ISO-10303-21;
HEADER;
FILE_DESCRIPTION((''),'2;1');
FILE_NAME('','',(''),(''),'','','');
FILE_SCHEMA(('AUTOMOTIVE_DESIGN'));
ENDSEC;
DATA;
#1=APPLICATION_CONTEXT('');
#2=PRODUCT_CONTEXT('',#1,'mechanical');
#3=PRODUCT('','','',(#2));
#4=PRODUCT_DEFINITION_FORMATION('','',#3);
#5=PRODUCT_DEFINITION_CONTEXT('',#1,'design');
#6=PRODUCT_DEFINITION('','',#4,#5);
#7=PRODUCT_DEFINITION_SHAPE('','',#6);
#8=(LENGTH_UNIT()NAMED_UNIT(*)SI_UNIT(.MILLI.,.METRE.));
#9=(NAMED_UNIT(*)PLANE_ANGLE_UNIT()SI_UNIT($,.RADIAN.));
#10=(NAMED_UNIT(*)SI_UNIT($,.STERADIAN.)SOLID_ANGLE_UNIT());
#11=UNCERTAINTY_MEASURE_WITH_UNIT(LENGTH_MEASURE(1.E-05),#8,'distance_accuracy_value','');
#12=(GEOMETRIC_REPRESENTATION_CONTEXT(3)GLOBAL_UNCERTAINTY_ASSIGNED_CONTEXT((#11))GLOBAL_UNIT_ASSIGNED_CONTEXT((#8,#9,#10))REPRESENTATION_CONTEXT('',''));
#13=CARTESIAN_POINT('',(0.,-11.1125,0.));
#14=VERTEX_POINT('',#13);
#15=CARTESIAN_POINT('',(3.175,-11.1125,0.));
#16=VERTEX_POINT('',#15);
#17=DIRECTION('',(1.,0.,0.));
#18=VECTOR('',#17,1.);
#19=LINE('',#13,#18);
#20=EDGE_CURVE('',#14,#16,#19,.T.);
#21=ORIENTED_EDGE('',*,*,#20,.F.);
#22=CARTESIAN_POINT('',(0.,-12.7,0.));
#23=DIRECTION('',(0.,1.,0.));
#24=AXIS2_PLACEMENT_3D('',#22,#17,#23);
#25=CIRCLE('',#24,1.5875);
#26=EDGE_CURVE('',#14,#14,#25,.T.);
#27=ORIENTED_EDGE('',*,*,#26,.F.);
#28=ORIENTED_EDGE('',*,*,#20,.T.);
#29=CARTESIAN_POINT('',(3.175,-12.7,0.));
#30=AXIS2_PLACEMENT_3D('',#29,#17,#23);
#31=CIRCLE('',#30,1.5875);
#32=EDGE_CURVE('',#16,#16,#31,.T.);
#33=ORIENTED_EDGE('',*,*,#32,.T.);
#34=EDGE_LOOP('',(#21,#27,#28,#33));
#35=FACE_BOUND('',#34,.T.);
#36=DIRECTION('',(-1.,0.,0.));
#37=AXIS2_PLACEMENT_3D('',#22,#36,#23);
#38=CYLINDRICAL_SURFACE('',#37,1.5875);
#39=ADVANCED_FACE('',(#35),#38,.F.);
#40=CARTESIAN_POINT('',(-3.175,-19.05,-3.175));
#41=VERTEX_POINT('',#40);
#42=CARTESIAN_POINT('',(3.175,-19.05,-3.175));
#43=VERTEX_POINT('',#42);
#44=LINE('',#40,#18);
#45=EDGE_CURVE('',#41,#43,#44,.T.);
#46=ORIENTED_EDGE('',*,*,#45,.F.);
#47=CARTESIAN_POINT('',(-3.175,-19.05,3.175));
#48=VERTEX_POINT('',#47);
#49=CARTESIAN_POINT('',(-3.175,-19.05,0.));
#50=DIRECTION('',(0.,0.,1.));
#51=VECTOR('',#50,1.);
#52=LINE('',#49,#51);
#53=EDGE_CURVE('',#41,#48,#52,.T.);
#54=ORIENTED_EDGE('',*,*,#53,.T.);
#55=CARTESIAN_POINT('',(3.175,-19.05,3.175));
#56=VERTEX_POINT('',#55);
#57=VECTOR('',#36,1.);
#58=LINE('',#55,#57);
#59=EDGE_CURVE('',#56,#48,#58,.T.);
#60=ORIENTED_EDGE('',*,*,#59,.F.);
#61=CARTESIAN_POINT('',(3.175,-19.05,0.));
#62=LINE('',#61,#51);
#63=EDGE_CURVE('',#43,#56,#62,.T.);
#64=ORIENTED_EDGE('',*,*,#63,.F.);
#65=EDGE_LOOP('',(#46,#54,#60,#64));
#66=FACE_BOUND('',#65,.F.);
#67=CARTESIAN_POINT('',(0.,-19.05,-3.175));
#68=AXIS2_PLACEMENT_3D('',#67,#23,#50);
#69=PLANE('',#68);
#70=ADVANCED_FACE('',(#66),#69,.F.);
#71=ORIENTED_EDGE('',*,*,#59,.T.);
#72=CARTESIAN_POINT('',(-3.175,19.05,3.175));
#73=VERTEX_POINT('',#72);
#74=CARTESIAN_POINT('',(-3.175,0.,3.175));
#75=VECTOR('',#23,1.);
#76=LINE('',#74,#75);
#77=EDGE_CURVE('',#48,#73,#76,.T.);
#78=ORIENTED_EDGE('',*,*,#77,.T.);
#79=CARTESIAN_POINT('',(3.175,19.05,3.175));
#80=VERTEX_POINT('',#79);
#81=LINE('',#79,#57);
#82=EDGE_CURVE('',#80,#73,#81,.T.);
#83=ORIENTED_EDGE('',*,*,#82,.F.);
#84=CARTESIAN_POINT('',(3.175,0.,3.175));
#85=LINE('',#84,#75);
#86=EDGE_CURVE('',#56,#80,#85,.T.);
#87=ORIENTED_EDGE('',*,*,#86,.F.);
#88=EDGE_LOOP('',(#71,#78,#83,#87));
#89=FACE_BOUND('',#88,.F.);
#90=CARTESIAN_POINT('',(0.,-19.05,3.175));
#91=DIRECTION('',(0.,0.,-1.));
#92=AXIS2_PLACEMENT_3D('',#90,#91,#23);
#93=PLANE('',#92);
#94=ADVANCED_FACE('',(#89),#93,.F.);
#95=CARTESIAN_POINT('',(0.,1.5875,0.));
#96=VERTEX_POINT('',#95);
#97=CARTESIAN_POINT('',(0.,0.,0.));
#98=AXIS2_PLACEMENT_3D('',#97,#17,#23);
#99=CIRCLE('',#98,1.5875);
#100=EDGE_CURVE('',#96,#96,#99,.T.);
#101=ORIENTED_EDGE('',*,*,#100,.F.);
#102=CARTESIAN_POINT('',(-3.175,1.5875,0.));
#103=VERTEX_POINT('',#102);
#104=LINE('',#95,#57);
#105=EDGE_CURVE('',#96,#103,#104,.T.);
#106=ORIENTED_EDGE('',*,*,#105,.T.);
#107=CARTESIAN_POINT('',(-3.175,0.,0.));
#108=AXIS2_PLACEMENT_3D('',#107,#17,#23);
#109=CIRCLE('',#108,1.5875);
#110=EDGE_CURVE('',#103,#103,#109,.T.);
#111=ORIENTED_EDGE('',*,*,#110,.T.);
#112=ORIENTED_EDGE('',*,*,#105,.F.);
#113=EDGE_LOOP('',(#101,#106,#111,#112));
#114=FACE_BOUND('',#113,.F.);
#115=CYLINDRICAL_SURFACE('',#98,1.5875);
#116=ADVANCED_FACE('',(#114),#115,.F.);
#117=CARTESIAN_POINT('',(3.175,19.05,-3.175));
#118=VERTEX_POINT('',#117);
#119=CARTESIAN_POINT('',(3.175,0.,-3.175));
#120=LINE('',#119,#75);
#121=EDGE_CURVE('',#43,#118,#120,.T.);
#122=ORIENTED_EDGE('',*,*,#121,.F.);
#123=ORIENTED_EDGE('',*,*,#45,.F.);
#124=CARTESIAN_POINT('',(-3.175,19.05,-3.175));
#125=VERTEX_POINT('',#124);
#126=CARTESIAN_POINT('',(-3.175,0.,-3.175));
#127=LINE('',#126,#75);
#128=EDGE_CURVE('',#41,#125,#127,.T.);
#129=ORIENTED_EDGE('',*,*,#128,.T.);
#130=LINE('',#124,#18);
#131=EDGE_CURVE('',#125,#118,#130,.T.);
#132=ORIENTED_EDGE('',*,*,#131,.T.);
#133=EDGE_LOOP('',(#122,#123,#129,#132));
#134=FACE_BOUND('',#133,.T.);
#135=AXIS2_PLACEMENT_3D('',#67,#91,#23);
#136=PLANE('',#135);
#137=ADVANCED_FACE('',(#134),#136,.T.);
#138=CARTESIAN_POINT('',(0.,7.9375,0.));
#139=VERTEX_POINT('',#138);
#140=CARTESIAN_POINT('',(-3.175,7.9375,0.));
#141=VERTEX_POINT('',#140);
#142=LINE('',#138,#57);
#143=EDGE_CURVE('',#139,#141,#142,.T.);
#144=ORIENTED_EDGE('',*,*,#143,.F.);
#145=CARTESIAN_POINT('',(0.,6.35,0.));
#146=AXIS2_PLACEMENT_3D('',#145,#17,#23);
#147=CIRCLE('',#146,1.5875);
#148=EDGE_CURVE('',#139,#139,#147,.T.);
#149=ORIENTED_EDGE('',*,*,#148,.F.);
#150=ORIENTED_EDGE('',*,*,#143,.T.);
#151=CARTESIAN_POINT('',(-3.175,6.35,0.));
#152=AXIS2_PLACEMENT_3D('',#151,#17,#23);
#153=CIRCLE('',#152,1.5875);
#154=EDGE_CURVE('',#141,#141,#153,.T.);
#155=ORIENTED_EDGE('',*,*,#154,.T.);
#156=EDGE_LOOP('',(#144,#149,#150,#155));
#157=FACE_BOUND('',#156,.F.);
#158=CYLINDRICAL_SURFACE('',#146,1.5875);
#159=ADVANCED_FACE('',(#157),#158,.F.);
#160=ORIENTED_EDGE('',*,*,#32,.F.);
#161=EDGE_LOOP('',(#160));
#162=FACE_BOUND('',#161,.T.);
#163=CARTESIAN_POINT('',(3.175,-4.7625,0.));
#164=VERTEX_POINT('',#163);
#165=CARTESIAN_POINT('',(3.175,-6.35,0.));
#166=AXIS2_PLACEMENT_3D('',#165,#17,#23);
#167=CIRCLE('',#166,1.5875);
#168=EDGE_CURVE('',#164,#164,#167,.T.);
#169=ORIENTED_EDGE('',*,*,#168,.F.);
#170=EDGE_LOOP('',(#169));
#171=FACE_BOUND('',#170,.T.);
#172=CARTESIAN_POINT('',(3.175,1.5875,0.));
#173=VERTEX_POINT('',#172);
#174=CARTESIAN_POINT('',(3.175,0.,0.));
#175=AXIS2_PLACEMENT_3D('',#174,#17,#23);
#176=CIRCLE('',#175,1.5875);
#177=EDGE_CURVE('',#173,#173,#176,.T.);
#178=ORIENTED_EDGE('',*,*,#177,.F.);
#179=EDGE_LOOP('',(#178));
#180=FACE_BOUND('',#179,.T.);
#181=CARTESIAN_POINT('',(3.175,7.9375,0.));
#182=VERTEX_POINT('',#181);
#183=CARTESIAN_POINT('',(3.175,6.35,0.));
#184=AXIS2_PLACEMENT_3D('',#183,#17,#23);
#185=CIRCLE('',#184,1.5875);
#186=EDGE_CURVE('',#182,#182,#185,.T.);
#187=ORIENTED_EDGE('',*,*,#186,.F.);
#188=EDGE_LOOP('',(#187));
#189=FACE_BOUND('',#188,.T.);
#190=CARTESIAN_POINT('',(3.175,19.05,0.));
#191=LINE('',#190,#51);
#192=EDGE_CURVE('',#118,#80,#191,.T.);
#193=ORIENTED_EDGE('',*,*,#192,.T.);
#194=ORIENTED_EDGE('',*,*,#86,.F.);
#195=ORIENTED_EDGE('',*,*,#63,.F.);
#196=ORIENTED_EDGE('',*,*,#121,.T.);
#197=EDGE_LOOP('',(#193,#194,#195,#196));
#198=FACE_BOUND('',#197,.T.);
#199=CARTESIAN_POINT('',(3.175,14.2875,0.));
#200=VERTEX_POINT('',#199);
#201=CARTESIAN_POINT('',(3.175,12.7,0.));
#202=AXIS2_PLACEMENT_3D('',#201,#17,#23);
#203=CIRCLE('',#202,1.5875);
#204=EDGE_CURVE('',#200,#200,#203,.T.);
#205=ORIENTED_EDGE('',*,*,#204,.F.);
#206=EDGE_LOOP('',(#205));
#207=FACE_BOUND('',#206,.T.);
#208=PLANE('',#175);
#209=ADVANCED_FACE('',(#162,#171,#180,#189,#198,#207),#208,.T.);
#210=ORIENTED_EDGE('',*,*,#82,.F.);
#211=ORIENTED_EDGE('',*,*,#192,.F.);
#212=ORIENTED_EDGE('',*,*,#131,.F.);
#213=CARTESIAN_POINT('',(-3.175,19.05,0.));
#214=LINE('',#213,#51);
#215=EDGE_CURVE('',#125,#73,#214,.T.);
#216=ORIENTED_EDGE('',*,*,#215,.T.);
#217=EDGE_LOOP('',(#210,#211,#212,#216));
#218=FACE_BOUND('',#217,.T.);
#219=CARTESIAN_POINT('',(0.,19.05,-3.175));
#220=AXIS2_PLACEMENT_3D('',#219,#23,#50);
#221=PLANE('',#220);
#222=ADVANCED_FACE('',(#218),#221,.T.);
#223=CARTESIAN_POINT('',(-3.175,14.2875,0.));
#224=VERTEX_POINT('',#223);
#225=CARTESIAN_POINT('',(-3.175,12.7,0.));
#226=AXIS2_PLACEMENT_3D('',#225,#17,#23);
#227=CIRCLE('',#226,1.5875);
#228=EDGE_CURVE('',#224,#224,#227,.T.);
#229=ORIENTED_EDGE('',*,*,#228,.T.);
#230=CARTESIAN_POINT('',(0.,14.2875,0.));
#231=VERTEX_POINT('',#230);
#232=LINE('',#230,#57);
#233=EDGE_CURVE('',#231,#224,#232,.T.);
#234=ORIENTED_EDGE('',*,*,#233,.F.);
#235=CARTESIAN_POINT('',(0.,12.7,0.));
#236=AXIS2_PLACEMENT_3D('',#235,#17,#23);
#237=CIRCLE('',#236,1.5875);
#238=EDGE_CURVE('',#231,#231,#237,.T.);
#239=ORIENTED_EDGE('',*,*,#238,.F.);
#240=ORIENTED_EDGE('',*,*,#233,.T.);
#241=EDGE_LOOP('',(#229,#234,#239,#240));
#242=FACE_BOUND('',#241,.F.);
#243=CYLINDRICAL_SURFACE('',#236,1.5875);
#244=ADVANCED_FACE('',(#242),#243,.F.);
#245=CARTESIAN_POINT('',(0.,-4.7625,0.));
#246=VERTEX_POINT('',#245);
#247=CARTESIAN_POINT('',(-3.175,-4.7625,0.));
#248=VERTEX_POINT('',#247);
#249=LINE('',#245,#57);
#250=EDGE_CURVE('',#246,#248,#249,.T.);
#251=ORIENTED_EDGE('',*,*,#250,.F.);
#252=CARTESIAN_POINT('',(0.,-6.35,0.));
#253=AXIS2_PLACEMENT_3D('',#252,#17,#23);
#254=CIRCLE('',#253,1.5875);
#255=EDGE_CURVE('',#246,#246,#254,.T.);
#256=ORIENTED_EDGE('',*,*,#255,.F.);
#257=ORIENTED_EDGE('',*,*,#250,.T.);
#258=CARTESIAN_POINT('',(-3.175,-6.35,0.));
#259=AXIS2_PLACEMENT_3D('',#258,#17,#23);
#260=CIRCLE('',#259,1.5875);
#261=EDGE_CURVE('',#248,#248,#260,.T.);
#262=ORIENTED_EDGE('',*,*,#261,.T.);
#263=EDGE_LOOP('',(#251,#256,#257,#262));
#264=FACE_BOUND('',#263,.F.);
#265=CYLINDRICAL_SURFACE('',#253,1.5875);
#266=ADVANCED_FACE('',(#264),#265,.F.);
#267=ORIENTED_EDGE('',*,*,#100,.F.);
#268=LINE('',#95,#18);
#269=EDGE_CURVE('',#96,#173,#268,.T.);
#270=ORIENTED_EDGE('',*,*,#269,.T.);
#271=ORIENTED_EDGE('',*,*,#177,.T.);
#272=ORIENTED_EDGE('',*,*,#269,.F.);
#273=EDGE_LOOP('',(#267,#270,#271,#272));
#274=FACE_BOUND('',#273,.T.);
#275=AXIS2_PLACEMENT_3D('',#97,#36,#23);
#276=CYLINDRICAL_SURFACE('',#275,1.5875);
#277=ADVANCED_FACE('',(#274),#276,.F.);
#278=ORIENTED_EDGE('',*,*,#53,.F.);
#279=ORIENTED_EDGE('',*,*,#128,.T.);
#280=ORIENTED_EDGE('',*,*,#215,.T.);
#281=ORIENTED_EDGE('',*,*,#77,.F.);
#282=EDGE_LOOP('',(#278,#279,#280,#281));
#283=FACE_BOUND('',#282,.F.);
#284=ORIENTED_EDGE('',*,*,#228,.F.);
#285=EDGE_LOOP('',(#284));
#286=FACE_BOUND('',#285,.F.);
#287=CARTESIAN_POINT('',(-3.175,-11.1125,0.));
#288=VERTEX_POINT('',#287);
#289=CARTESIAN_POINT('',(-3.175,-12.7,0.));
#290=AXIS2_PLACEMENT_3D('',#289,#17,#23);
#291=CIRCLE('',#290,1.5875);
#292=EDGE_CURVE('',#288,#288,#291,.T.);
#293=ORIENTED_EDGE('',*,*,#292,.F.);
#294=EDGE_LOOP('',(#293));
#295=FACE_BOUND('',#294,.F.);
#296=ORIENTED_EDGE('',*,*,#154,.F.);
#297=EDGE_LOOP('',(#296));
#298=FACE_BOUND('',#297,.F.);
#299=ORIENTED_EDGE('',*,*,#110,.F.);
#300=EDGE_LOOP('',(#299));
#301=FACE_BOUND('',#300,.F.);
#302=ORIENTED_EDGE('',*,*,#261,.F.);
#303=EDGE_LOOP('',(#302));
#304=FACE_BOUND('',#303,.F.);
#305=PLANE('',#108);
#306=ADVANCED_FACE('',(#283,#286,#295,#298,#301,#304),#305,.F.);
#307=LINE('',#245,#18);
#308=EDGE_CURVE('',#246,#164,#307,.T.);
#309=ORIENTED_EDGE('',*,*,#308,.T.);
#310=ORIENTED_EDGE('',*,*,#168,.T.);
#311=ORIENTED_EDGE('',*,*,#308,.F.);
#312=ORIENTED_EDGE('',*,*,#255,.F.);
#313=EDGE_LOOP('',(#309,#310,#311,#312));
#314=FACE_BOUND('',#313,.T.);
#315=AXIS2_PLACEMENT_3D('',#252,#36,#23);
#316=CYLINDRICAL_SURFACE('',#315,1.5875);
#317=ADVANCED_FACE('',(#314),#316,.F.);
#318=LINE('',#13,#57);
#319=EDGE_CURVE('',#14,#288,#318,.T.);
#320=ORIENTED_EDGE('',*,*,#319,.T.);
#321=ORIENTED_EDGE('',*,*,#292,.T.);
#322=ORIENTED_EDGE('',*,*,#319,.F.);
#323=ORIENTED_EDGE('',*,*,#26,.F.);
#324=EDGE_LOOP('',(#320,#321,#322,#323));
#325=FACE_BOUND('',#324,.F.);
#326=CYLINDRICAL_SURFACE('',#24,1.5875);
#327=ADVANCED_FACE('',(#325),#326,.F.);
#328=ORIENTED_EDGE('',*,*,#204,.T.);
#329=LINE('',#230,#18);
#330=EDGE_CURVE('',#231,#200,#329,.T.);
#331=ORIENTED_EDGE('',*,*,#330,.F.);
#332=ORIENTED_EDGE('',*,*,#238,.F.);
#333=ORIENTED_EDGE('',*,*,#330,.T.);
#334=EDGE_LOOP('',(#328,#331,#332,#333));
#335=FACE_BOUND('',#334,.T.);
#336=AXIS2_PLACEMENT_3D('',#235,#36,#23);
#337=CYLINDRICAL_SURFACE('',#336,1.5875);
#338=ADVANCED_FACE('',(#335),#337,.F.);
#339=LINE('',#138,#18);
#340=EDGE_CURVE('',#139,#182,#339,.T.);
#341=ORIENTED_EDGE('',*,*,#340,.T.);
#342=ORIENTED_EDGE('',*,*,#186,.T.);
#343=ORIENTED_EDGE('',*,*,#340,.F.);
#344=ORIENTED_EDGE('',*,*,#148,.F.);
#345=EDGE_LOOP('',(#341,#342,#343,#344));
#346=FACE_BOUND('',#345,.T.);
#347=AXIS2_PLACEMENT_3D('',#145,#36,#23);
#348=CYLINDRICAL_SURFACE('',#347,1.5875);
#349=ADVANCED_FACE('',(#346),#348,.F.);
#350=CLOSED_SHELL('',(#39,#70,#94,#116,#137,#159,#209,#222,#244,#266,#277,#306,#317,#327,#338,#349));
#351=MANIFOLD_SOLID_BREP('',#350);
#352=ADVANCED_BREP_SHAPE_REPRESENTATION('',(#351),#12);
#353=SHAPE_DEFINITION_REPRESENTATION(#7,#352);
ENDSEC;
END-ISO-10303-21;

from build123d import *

# Parameters (mm, degrees)
F0_W          = 38.1
F0_H          = 6.35
F0_R          = 1.5875
F1_DEPTH      = 3.175
F1_DEPTH_BACK = 3.175


with BuildPart() as f1:
    # F0 (on Right) → F1 (new body, two sides)
    with BuildSketch(Plane.YZ) as f1_sk:
        Rectangle(F0_W, F0_H)
        with Locations((-12.7, 0)):
            Circle(F0_R, mode=Mode.SUBTRACT)
        with Locations((-6.35, 0)):
            Circle(F0_R, mode=Mode.SUBTRACT)
        Circle(F0_R, mode=Mode.SUBTRACT)
        with Locations((6.35, 0)):
            Circle(F0_R, mode=Mode.SUBTRACT)
        with Locations((12.7, 0)):
            Circle(F0_R, mode=Mode.SUBTRACT)
    extrude(amount=F1_DEPTH)
    extrude(f1_sk.sketch, amount=-F1_DEPTH_BACK)


solid = f1.part
